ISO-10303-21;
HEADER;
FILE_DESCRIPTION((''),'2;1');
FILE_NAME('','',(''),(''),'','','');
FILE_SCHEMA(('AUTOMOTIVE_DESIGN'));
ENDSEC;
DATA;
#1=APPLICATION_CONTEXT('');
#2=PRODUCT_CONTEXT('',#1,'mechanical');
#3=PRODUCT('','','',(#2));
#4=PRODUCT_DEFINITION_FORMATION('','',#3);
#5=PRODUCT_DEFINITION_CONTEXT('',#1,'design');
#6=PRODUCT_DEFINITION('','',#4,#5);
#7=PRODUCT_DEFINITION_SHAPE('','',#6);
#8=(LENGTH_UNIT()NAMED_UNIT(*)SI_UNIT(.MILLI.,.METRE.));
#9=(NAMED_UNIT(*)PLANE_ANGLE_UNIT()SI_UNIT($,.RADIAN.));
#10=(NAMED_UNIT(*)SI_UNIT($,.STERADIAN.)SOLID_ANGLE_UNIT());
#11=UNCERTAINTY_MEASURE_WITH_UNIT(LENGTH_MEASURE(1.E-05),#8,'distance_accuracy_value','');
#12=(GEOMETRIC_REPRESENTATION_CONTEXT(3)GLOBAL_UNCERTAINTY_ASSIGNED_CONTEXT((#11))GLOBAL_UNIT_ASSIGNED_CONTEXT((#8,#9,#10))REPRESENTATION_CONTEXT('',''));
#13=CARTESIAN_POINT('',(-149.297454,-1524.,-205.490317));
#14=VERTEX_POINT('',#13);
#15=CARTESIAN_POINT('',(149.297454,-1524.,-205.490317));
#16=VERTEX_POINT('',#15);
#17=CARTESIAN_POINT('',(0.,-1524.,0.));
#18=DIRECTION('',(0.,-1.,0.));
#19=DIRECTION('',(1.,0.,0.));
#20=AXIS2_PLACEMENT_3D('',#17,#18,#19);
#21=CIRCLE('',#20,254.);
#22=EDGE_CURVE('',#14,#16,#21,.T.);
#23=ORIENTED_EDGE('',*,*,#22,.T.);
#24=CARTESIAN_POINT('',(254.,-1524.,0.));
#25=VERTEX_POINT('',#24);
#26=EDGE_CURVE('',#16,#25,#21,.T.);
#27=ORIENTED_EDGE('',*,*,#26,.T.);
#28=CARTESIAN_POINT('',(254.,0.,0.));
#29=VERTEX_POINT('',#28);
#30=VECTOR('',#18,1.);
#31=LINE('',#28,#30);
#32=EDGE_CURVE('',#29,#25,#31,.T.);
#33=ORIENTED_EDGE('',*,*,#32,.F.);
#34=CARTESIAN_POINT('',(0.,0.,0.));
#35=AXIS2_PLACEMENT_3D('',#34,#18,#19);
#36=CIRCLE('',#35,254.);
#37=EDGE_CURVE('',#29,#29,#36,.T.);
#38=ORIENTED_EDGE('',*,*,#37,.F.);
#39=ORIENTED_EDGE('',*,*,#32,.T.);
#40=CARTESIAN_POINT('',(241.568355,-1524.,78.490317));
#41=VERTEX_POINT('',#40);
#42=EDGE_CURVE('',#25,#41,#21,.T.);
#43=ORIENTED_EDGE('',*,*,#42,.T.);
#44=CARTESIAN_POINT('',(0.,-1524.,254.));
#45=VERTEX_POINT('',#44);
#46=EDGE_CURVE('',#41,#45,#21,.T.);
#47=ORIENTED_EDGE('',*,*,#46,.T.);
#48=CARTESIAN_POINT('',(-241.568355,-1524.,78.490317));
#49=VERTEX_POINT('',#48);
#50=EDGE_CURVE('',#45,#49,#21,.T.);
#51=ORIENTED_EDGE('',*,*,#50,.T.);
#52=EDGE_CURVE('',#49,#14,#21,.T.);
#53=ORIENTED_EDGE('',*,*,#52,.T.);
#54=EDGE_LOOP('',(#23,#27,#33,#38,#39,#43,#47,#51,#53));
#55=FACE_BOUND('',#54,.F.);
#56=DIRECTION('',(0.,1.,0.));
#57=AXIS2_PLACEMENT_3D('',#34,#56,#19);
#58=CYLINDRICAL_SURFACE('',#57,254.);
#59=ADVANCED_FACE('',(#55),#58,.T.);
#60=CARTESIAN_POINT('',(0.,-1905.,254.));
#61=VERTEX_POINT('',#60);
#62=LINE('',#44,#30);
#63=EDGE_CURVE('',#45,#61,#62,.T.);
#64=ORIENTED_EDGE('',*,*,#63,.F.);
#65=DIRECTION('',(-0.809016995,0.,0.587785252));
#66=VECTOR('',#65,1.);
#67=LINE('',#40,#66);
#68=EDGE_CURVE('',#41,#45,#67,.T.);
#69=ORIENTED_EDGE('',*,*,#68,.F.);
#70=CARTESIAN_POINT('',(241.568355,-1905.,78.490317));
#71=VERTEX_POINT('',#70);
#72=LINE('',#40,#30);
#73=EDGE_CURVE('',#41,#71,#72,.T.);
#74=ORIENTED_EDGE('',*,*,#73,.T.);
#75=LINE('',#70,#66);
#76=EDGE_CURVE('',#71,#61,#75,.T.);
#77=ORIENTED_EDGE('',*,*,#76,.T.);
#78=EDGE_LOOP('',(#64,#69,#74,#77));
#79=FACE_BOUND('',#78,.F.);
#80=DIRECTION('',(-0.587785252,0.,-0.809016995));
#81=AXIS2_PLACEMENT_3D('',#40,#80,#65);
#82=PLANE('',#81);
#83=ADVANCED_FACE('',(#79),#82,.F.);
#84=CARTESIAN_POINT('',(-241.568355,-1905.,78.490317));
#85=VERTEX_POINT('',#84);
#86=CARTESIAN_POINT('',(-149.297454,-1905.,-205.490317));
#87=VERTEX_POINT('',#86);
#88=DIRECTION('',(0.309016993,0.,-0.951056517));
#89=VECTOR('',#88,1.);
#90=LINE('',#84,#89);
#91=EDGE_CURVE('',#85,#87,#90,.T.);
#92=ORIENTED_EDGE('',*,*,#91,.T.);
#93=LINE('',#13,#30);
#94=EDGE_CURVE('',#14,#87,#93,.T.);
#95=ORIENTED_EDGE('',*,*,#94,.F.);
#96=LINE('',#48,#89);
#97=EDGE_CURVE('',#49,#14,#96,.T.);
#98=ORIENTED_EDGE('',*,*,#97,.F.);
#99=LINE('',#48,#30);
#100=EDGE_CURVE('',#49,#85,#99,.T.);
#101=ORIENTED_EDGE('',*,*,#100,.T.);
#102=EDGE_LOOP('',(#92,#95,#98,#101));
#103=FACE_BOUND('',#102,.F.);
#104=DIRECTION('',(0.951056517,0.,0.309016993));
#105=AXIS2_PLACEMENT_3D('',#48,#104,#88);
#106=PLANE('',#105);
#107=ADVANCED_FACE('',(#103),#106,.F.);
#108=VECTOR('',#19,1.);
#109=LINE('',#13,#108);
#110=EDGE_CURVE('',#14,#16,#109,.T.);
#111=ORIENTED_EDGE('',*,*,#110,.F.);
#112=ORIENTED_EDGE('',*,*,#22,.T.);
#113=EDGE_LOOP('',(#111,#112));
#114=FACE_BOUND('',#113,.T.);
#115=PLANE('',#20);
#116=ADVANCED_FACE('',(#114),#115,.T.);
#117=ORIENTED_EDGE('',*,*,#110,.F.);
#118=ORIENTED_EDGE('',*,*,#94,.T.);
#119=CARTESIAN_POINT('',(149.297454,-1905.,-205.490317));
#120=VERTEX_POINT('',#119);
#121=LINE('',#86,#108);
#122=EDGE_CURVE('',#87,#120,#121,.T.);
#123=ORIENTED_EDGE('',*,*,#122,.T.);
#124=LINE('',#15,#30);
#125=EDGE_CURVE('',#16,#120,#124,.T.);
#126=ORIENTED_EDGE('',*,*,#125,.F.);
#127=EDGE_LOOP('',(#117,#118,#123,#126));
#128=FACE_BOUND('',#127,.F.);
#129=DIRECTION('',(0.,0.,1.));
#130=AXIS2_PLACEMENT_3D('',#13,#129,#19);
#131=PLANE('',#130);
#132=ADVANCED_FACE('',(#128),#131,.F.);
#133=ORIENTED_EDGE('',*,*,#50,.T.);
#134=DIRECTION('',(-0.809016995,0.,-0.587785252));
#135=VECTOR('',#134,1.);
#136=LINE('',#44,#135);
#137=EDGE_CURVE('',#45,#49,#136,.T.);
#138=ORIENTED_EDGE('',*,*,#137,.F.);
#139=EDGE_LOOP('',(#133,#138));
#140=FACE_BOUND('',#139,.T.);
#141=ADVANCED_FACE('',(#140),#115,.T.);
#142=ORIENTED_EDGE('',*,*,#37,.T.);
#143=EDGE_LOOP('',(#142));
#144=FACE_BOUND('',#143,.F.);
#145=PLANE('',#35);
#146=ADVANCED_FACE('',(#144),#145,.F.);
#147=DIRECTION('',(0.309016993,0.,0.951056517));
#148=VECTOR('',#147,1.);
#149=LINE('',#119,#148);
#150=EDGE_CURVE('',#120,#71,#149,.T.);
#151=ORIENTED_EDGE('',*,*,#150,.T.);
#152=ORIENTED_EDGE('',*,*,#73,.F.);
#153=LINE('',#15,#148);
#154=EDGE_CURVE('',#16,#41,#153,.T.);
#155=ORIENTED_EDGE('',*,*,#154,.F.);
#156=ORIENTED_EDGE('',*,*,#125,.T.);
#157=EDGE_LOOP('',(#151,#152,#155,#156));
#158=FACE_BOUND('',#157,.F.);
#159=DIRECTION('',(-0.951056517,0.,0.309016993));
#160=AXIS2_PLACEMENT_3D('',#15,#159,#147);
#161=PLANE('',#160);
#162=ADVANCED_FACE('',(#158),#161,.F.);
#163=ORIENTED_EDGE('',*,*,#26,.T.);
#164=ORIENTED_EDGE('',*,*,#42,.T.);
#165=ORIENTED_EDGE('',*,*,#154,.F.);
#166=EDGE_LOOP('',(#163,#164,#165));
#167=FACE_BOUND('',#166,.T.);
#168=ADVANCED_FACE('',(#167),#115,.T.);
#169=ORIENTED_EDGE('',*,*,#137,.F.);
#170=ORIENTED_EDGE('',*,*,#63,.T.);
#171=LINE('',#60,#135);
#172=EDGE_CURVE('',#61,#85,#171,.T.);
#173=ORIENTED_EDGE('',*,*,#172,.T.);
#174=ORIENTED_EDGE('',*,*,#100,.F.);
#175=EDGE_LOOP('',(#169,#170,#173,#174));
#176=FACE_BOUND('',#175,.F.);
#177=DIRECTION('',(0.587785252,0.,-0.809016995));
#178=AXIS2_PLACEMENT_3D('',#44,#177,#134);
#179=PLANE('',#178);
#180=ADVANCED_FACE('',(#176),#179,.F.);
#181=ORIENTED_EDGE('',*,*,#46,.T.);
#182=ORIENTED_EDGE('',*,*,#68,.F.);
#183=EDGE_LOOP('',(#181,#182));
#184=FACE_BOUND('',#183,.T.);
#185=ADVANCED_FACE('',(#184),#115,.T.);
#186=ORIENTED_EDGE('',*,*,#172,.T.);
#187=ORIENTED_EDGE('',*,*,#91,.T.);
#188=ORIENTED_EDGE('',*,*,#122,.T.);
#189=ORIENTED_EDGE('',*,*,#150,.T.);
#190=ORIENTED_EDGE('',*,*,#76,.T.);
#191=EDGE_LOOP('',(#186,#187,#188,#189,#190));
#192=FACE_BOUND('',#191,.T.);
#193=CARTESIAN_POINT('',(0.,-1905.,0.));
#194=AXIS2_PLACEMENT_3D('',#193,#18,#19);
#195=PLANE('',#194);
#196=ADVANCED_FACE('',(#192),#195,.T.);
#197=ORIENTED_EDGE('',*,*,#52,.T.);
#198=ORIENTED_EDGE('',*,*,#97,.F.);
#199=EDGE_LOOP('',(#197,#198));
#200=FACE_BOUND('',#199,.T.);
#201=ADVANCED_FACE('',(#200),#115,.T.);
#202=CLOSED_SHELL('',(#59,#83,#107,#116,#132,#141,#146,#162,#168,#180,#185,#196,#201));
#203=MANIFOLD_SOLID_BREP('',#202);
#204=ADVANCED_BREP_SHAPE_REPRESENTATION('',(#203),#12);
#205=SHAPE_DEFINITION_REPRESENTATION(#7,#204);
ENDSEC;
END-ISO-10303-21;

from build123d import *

# Parameters (mm, degrees)
F0_R     = 254
F1_DEPTH = 1524
F3_DEPTH = 381


with BuildPart() as f1:
    # F0 (on Front) → F1 (new body)
    with BuildSketch(Plane.XZ):
        Circle(F0_R)
    extrude(amount=F1_DEPTH)

    # F2 (on face) → F3 (join)
    with BuildSketch(Plane.XZ.offset(1524)):
        Polygon((241.568355, 78.490317), (0, 254), (-241.568355, 78.490317), (-149.297454, -205.490317), (149.297454, -205.490317), align=None)
    extrude(amount=F3_DEPTH)


solid = f1.part
